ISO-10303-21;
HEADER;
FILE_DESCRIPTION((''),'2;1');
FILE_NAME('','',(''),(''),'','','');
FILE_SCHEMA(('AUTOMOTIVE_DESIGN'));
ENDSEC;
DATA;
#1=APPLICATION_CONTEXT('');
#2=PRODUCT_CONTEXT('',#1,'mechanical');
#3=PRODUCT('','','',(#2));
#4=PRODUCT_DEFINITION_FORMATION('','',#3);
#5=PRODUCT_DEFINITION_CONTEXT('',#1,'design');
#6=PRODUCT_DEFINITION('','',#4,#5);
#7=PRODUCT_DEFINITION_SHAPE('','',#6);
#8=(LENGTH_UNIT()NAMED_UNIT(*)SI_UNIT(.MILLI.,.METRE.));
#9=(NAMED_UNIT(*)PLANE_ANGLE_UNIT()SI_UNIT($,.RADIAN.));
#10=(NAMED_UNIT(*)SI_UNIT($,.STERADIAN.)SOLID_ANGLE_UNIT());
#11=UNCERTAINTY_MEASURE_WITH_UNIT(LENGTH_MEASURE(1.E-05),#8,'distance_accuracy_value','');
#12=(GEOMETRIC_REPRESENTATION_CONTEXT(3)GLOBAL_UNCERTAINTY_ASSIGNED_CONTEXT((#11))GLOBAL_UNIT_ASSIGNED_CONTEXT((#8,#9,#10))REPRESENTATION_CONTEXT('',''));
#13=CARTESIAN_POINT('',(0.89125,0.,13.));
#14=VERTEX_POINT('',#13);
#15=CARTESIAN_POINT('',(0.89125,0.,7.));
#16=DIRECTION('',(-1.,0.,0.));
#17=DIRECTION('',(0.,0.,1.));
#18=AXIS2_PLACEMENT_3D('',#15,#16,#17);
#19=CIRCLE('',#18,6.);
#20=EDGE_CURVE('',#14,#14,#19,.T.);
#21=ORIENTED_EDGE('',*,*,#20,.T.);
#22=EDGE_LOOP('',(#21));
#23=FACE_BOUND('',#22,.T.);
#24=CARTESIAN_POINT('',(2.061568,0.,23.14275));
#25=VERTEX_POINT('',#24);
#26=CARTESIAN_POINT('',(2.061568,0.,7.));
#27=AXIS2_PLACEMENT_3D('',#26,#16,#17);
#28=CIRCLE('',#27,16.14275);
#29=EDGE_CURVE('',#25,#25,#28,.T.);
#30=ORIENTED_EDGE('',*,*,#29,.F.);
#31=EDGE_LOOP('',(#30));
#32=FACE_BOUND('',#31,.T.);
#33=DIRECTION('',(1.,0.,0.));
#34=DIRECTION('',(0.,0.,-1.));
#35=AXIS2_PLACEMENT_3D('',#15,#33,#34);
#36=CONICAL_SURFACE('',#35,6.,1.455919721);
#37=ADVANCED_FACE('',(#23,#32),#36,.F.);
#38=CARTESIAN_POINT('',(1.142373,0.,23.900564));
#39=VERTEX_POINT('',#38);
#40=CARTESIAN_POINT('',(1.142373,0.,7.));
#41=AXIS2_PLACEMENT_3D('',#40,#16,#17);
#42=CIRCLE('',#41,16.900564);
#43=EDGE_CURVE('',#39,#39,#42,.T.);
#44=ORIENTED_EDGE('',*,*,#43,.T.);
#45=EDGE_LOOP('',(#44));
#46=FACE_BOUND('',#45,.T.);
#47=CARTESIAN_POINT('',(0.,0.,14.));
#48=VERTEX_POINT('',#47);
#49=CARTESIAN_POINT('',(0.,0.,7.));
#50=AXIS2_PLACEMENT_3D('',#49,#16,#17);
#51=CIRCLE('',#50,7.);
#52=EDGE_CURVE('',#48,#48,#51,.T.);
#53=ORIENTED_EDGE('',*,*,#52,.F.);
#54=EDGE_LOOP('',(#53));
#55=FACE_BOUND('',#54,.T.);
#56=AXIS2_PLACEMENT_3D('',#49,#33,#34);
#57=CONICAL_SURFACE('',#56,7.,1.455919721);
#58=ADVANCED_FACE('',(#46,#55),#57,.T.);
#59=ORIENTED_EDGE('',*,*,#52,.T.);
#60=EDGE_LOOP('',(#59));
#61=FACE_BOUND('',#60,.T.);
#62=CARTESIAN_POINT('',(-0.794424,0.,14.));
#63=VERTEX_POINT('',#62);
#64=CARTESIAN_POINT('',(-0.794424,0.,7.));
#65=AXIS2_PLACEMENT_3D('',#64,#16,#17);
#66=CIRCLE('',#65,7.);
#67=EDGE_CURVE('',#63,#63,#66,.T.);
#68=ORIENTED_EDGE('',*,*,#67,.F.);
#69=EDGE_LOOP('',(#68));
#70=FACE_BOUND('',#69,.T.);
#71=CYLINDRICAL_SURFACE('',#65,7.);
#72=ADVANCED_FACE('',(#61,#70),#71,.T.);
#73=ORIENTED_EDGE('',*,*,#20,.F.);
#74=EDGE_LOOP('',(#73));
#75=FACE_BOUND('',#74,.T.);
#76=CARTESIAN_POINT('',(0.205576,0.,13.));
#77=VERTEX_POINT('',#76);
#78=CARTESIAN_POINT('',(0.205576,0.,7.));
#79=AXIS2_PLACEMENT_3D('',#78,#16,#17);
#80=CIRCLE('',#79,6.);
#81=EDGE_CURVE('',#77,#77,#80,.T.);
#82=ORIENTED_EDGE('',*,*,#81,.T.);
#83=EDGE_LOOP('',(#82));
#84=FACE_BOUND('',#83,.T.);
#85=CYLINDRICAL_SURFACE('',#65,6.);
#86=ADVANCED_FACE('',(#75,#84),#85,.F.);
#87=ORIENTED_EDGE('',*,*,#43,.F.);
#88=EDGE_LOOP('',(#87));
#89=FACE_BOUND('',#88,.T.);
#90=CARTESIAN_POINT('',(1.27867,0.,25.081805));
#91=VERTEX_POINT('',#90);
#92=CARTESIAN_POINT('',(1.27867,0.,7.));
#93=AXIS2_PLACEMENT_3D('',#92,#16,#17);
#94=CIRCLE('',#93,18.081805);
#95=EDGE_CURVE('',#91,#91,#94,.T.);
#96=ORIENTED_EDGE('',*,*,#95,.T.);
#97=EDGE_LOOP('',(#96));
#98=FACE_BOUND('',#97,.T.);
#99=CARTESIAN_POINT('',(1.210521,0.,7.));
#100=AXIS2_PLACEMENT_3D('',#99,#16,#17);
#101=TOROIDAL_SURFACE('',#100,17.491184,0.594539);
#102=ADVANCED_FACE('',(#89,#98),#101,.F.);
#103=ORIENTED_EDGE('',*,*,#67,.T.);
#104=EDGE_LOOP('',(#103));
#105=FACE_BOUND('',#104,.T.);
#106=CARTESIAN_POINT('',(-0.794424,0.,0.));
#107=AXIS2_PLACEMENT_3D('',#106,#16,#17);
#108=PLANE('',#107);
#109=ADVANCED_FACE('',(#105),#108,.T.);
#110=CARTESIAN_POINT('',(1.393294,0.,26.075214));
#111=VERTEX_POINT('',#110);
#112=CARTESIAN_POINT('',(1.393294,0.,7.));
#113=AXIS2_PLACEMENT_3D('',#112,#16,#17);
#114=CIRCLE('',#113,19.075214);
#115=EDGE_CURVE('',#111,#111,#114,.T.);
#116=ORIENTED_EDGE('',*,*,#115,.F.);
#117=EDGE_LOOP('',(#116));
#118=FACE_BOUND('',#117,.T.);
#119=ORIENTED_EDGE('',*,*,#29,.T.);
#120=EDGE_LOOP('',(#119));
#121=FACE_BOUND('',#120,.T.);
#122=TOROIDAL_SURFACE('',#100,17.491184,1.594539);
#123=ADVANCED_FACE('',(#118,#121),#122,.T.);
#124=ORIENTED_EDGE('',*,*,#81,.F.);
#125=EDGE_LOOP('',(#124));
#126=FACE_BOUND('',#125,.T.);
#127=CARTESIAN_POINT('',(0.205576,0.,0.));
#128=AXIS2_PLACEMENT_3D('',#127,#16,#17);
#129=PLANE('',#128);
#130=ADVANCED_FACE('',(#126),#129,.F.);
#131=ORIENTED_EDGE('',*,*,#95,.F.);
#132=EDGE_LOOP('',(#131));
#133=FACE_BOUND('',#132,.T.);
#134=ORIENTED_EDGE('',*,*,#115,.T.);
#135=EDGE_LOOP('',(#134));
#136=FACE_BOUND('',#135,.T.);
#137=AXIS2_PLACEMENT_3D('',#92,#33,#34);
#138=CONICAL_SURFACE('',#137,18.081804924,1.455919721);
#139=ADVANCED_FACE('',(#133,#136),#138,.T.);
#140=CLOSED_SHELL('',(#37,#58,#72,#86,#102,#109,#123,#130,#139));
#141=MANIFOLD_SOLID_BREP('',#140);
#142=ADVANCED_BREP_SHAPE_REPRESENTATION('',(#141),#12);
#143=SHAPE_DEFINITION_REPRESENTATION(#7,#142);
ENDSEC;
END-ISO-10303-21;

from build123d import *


with BuildPart() as part:
    # Sketch1 → Revolve-Thin3 (revolve)
    with BuildSketch(Plane(origin=(0, 0, 0), x_dir=(1, 0, 0), z_dir=(0, 1, 0))):
        with BuildLine():
            Line((-0.794424497, -7), (-0.794424497, 0))
            Line((-0.794424497, 0), (0, 0))
            Line((0, 0), (1.142372775, 9.900564049))
            ThreePointArc((1.142372775, 9.900564049), (1.801141725, 10.423035974), (1.278669799, 11.081804924))
            Line((1.278669799, 11.081804924), (1.393293907, 12.07521386))
            ThreePointArc((1.393293907, 12.07521386), (2.765201716, 10.845477658), (2.061567501, 9.142750125))
            Line((2.061567501, 9.142750125), (0.891250179, -1))
            Line((0.891250179, -1), (0.205575503, -1))
            Line((0.205575503, -1), (0.205575503, -7))
            Line((0.205575503, -7), (-0.794424497, -7))
        make_face()
    revolve(axis=Axis((-0.794424497, 0, 7), (1, 0, 0)))


solid = part.part
